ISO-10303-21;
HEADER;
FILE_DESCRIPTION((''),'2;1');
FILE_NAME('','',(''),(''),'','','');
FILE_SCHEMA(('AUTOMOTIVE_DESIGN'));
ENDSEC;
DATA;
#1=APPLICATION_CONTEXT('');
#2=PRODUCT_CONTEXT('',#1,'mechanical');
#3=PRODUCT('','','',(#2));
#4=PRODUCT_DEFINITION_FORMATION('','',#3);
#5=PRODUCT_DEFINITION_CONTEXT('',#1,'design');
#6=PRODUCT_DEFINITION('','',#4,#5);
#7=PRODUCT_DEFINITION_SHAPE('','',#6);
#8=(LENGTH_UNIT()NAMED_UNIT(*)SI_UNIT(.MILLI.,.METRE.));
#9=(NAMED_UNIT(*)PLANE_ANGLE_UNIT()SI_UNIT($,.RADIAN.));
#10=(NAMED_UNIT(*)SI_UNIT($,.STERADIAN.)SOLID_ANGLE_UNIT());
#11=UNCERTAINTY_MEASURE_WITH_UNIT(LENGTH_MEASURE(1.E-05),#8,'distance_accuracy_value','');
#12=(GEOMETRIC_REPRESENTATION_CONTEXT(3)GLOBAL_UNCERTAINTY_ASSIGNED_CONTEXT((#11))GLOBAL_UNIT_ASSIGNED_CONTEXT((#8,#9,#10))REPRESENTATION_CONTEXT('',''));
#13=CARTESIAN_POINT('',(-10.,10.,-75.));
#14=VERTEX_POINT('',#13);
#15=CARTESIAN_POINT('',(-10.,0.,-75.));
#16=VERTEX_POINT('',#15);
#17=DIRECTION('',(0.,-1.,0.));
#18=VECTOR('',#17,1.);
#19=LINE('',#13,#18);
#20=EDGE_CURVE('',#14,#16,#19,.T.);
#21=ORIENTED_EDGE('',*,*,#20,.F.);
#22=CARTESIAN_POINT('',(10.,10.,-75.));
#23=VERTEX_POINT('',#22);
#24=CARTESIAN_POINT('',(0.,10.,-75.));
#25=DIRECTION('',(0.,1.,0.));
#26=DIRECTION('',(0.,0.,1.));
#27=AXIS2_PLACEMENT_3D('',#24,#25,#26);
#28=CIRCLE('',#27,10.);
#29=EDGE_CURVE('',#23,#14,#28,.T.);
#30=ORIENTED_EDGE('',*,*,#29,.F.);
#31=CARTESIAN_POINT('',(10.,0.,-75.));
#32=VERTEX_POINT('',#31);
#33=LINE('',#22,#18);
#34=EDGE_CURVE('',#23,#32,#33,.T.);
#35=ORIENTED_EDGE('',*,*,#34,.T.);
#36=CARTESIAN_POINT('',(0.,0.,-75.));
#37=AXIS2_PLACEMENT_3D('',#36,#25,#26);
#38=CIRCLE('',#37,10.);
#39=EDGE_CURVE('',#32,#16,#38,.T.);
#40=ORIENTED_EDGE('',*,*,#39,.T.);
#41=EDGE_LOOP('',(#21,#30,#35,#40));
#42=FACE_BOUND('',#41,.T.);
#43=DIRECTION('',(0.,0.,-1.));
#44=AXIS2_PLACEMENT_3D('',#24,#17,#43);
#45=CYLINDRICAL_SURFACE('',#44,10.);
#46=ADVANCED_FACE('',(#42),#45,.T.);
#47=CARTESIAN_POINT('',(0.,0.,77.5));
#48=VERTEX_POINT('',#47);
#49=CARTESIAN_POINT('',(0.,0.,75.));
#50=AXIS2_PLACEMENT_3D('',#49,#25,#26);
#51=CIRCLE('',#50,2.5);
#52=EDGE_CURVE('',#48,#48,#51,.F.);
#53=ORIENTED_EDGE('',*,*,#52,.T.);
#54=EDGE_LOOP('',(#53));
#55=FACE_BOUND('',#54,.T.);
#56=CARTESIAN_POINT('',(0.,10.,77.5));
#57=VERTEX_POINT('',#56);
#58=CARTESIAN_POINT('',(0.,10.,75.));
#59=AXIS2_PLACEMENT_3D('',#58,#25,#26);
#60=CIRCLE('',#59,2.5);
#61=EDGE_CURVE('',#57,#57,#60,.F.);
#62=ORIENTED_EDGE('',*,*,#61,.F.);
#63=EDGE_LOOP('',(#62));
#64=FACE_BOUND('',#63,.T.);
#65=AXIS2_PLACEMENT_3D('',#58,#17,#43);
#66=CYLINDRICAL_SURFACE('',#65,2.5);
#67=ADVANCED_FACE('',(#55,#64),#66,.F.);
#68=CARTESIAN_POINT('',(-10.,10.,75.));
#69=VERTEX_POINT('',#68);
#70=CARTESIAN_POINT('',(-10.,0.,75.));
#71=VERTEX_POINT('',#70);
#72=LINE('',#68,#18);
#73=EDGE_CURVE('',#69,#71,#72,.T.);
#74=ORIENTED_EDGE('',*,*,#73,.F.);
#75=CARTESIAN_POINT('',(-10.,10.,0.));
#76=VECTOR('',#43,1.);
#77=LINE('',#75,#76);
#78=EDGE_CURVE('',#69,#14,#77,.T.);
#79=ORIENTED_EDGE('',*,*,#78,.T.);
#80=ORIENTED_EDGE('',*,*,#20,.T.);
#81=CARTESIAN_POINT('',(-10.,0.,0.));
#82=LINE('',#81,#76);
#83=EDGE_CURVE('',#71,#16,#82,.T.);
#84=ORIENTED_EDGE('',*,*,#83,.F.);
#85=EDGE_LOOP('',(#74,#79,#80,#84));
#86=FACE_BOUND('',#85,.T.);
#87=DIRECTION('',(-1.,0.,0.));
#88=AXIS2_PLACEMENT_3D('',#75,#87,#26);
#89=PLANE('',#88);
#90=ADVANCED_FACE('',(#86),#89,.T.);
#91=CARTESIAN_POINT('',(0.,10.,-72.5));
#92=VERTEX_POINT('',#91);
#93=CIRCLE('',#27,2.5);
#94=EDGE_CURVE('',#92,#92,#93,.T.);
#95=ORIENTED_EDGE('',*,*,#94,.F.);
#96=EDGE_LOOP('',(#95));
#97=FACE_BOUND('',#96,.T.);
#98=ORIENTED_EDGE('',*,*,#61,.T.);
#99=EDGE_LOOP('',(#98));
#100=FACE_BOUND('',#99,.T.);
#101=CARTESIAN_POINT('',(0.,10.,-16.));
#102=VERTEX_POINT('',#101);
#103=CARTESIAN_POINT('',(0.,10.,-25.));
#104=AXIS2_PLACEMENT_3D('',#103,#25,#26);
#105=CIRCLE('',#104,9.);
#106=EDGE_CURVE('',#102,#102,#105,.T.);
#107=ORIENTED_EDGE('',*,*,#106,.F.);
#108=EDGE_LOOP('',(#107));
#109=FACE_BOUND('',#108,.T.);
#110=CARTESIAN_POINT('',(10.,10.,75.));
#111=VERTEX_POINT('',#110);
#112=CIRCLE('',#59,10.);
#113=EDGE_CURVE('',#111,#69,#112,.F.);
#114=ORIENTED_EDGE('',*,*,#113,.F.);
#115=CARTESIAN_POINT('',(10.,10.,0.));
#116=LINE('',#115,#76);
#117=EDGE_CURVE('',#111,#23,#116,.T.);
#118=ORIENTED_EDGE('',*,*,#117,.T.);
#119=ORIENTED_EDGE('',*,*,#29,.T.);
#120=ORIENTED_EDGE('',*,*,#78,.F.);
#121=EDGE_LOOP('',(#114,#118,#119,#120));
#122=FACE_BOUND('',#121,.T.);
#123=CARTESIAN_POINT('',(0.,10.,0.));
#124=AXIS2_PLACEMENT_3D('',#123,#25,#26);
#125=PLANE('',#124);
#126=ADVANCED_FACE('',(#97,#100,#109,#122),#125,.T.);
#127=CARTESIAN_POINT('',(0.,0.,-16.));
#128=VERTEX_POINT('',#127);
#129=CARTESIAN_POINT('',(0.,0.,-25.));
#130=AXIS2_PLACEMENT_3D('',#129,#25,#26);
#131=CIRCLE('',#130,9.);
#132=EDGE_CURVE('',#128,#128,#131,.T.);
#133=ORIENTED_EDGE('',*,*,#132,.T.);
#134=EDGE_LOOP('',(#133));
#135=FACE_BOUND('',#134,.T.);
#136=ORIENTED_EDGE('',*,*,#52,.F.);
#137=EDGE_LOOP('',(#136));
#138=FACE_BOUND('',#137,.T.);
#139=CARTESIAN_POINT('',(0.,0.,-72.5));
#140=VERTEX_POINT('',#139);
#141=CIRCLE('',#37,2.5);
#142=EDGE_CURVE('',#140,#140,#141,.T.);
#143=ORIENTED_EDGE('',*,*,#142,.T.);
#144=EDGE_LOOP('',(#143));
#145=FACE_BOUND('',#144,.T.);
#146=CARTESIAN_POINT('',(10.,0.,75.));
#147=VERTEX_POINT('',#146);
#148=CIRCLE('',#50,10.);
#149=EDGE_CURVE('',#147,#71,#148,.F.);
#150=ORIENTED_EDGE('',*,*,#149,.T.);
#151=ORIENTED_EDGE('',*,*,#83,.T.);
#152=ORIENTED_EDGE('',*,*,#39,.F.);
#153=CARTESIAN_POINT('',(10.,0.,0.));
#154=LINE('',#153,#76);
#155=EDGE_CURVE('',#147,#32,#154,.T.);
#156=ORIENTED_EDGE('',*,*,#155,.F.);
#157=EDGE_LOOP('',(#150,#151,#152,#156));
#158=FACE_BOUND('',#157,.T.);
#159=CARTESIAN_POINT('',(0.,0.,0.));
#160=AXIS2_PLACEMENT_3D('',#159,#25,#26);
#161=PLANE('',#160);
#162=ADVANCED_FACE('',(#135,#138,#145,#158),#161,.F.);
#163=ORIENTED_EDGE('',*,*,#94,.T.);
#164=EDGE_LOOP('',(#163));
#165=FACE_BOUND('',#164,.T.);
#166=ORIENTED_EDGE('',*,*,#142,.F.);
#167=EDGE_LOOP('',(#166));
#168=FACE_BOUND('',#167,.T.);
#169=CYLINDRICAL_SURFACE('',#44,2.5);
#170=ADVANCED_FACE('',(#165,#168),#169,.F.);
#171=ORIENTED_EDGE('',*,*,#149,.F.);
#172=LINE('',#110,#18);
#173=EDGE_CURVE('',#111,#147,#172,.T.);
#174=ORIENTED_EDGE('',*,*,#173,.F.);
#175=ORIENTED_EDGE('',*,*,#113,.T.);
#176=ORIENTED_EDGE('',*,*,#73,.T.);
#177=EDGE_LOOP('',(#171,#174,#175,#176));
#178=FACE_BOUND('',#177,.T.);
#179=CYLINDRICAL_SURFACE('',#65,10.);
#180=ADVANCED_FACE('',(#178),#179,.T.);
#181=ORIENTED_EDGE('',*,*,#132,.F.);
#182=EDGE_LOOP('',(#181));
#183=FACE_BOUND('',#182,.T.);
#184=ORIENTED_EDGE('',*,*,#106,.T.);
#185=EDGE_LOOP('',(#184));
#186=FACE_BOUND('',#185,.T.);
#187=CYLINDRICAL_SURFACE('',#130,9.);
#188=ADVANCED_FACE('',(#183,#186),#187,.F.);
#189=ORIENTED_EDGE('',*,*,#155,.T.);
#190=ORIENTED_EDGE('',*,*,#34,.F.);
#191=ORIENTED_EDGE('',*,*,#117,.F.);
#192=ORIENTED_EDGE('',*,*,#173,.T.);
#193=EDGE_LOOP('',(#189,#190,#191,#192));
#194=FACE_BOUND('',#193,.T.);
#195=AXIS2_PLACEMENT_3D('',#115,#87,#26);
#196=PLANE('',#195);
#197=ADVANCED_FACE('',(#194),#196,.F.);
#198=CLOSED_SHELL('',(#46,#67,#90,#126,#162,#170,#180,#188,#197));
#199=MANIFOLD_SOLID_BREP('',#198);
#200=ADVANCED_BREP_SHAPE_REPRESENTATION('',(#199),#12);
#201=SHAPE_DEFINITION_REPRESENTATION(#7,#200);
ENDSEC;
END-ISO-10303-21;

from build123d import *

# Parameters (mm, degrees)
SKETCH1_R            = 2.5
BOSS_EXTRUDE1_DEPTH  = 10
SKETCH2_R            = 9
MOTORMOUNTBORE_DEPTH = 87.168439698


with BuildPart() as part:
    # Sketch1 → Boss-Extrude1 (new body)
    with BuildSketch(Plane(origin=(0, 0, 0), x_dir=(1, 0, 0), z_dir=(0, 1, 0))):
        with BuildLine():
            Line((-10, -75), (-10, 75))
            ThreePointArc((-10, 75), (0, 85), (10, 75))
            Line((10, 75), (10, -75))
            ThreePointArc((10, -75), (0, -85), (-10, -75))
        make_face()
        with Locations(Location((0, 75, 0), (0, 0, 270))):
            Circle(SKETCH1_R, mode=Mode.SUBTRACT)
        with Locations(Location((0, -75, 0), (0, 0, 270))):
            Circle(SKETCH1_R, mode=Mode.SUBTRACT)
    extrude(amount=BOSS_EXTRUDE1_DEPTH)

    # Sketch2 → MotorMountBore (cut, through all)
    with BuildSketch(Plane(origin=(0, 10, 0), x_dir=(1, 0, 0), z_dir=(0, 1, 0))):
        with Locations(Location((0, 25, 0), (0, 0, 270))):
            Circle(SKETCH2_R)
    extrude(amount=-MOTORMOUNTBORE_DEPTH, mode=Mode.SUBTRACT)


solid = part.part
